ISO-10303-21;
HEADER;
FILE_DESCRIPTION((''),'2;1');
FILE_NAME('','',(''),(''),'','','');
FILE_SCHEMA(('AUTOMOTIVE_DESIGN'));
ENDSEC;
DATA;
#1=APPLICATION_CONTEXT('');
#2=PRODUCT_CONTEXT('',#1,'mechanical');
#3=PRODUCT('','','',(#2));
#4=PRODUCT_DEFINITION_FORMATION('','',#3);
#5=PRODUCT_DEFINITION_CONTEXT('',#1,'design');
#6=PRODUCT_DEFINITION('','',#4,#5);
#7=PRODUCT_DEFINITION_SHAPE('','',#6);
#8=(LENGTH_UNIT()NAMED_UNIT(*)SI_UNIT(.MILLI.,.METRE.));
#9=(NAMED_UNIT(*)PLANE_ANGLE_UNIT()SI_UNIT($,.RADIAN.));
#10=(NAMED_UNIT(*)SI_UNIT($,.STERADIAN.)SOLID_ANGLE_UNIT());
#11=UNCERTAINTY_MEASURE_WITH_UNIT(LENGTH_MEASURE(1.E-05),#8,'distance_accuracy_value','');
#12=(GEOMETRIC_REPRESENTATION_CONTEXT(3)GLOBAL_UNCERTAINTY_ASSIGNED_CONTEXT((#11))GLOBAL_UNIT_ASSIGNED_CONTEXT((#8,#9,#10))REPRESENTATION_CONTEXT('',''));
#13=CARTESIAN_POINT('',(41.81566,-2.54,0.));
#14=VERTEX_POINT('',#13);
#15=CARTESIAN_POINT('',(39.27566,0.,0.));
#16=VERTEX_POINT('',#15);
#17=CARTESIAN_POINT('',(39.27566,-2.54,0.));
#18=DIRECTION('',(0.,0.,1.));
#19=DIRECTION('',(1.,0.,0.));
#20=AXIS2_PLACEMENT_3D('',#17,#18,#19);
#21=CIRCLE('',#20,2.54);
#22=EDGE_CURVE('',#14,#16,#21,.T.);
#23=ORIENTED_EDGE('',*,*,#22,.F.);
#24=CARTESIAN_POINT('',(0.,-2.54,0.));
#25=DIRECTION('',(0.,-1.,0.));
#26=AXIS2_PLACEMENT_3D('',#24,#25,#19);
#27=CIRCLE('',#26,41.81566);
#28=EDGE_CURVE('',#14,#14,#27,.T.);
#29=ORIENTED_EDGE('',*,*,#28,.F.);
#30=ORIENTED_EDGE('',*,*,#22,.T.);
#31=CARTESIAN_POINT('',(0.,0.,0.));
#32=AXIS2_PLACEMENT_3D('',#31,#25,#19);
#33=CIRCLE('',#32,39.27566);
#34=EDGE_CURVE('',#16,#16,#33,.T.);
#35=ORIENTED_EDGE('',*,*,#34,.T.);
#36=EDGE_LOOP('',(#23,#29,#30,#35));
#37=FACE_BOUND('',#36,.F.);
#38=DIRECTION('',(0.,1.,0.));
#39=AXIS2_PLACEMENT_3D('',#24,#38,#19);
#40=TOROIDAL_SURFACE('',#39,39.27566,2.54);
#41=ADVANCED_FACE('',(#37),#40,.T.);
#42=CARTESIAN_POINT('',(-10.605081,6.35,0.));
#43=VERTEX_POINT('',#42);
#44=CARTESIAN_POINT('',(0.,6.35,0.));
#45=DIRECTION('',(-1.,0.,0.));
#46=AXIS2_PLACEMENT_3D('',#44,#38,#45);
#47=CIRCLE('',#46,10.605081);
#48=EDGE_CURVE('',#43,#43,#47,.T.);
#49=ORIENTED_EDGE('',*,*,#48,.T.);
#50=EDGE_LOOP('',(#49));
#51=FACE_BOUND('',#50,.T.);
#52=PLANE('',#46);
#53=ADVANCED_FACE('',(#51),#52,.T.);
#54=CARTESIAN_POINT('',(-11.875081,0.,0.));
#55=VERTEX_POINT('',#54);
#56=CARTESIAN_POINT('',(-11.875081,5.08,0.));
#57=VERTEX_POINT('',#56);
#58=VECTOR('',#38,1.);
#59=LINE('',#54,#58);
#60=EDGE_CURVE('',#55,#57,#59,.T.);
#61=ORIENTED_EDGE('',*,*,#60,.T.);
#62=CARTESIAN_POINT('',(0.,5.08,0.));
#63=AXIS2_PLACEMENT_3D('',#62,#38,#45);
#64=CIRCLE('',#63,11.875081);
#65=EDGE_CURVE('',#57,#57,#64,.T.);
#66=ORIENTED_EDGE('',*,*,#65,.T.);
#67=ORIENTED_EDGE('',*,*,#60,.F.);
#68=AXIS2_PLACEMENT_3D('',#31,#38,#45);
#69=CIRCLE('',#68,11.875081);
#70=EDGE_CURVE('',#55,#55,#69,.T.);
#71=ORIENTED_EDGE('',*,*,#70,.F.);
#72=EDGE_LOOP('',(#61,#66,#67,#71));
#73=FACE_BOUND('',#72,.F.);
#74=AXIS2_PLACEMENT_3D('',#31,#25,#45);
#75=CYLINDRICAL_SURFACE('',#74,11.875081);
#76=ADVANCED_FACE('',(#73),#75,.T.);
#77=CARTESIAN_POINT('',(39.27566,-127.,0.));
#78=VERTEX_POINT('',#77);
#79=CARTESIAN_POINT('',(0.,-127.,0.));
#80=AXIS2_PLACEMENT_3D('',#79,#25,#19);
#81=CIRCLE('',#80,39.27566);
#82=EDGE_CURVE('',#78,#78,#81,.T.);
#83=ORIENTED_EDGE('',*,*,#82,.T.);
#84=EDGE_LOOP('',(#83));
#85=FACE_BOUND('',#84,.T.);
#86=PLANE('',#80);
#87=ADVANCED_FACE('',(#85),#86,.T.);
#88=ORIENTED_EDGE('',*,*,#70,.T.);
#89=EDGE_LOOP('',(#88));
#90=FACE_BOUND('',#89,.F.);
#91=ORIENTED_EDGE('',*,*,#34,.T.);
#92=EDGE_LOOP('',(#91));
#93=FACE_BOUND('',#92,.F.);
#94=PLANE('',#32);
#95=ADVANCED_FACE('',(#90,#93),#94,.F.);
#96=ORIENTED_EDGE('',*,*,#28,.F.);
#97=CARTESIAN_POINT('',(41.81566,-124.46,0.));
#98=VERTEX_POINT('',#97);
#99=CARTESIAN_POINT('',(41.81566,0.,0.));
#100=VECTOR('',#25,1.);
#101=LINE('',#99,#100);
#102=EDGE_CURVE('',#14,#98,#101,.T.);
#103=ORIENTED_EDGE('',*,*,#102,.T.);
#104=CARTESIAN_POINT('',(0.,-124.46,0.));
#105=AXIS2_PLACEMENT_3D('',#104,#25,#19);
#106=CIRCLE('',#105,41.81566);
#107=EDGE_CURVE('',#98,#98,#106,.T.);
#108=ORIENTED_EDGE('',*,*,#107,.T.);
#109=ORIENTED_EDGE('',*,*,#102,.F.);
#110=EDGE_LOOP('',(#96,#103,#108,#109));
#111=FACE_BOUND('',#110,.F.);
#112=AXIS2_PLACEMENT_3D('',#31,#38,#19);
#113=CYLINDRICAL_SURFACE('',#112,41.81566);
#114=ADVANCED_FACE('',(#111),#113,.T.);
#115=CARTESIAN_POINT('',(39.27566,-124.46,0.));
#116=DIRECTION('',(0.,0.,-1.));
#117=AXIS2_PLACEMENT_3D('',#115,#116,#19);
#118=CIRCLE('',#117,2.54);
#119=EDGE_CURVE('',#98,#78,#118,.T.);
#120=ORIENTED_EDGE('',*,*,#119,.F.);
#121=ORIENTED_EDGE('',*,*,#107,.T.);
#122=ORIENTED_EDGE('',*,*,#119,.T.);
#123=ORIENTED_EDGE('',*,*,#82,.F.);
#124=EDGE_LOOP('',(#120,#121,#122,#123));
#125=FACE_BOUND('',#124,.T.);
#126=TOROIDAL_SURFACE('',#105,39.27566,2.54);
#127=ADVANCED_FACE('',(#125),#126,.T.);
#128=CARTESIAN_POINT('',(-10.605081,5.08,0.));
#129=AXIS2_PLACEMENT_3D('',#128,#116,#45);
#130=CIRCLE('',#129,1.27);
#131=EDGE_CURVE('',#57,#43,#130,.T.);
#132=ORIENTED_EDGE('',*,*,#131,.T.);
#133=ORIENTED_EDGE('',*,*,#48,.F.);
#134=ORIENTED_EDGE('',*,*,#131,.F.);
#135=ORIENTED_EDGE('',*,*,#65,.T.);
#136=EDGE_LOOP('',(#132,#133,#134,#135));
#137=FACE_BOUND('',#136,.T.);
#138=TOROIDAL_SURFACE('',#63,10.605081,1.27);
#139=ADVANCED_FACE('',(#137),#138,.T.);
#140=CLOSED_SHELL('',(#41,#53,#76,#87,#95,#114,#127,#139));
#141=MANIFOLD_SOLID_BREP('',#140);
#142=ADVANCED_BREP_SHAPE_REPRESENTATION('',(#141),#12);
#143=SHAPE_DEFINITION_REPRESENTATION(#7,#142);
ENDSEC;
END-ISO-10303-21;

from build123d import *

# Parameters (mm, degrees)
F0_R     = 41.81566
F1_DEPTH = 127
F2_R     = 11.875081
F3_DEPTH = 6.35
F4_R     = 2.54
F5_R     = 2.54
F6_R     = 1.27


with BuildPart() as f1:
    # F0 (on Front) → F1 (new body)
    with BuildSketch(Plane.XZ):
        Circle(F0_R)
    extrude(amount=F1_DEPTH)

    # F2 (on face) → F3 (join)
    with BuildSketch(Plane(origin=(0, 0, 0), x_dir=(-1, 0, 0), z_dir=(0, 1, 0))):
        Circle(F2_R)
    extrude(amount=F3_DEPTH)

    # F4
    f4_edges = [f1.edges().sort_by_distance(p)[0] for p in [
        (-41.81566, 0, 0),
    ]]
    fillet(f4_edges, radius=F4_R)

    # F5
    f5_edges = [f1.edges().sort_by_distance(p)[0] for p in [
        (-41.81566, -127, 0),
    ]]
    fillet(f5_edges, radius=F5_R)

    # F6
    f6_edges = [f1.edges().sort_by_distance(p)[0] for p in [
        (11.875081, 6.35, 0),
    ]]
    fillet(f6_edges, radius=F6_R)


solid = f1.part
